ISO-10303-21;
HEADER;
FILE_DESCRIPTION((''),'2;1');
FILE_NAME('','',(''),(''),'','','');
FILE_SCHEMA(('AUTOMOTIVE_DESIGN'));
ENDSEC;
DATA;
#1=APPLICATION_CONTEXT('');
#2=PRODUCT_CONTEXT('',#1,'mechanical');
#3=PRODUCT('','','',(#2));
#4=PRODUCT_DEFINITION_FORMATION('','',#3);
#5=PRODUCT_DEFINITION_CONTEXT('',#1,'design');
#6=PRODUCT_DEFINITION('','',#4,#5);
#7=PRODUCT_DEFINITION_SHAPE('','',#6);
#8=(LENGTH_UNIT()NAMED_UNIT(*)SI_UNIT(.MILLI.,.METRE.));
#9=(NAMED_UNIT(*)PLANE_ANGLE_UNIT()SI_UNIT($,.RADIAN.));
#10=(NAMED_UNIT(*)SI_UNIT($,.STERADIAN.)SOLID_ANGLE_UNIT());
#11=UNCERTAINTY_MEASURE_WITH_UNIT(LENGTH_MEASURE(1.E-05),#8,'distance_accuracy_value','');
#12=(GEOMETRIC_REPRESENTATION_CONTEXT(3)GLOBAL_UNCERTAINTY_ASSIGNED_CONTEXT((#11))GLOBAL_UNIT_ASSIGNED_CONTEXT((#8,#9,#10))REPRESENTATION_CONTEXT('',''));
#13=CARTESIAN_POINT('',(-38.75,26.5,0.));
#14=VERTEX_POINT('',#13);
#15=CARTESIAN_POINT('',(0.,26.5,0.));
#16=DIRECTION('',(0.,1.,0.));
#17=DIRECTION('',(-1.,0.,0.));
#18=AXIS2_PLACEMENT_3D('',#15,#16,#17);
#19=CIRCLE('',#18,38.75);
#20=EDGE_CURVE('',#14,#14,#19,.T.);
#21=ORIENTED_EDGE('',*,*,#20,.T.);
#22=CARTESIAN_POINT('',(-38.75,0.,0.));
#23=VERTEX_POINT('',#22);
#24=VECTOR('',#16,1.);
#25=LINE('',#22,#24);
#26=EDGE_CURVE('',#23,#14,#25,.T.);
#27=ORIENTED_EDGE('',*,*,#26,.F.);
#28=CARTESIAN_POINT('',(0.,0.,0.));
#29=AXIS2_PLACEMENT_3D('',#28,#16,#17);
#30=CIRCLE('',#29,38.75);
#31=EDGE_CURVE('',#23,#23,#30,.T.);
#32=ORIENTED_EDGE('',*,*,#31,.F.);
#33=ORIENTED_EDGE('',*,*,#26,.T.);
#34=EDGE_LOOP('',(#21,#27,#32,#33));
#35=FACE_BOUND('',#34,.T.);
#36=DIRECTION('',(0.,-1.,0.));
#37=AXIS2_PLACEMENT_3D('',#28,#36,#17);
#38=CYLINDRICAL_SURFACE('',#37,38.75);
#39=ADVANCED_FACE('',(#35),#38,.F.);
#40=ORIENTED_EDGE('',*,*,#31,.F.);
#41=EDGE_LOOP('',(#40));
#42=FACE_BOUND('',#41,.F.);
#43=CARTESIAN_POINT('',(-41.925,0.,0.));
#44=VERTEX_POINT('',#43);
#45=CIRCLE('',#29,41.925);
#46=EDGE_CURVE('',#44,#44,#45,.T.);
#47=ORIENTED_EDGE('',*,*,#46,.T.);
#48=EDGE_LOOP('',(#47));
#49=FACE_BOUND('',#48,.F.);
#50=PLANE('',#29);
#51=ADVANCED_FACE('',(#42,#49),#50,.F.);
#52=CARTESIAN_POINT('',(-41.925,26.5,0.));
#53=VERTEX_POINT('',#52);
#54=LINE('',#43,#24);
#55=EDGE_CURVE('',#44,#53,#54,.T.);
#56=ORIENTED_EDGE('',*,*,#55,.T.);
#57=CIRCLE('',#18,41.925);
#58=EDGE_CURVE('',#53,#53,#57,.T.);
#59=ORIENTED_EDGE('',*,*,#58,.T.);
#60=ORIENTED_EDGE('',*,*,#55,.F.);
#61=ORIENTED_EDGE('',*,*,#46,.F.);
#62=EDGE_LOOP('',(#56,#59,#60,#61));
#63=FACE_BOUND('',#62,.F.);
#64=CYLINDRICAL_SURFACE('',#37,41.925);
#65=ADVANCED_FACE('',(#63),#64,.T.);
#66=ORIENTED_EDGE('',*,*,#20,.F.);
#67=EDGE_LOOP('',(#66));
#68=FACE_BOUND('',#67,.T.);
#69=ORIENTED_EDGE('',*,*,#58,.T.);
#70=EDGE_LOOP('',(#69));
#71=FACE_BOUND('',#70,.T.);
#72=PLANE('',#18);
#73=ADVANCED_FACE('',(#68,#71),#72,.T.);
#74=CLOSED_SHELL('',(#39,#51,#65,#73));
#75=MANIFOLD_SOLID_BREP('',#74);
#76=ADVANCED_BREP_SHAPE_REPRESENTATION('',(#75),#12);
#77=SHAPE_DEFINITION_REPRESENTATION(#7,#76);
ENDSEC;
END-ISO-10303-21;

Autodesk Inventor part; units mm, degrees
ref_plane "YZ Plane" through (0, 0, 0) normal (1, 0, 0) x (0, 1, 0)
ref_plane "XZ Plane" through (0, 0, 0) normal (0, 1, 0) x (-1, 0, 0)
ref_plane "XY Plane" through (0, 0, 0) normal (0, 0, 1) x (1, 0, 0)
sketch "Sketch1" plane through (0, 0, 0) normal (0, 1, 0) x (-1, 0, 0)
  circle A0 centre (0, 0) radius 38.75
  circle A1 centre (0, 0) radius 41.925
  dimension "d0" = 77.5
  dimension "d1" = 83.85
extrude "Extrusion1" add sketch "Sketch1" along normal blind 26.5
properties part number "Lower Collar"
